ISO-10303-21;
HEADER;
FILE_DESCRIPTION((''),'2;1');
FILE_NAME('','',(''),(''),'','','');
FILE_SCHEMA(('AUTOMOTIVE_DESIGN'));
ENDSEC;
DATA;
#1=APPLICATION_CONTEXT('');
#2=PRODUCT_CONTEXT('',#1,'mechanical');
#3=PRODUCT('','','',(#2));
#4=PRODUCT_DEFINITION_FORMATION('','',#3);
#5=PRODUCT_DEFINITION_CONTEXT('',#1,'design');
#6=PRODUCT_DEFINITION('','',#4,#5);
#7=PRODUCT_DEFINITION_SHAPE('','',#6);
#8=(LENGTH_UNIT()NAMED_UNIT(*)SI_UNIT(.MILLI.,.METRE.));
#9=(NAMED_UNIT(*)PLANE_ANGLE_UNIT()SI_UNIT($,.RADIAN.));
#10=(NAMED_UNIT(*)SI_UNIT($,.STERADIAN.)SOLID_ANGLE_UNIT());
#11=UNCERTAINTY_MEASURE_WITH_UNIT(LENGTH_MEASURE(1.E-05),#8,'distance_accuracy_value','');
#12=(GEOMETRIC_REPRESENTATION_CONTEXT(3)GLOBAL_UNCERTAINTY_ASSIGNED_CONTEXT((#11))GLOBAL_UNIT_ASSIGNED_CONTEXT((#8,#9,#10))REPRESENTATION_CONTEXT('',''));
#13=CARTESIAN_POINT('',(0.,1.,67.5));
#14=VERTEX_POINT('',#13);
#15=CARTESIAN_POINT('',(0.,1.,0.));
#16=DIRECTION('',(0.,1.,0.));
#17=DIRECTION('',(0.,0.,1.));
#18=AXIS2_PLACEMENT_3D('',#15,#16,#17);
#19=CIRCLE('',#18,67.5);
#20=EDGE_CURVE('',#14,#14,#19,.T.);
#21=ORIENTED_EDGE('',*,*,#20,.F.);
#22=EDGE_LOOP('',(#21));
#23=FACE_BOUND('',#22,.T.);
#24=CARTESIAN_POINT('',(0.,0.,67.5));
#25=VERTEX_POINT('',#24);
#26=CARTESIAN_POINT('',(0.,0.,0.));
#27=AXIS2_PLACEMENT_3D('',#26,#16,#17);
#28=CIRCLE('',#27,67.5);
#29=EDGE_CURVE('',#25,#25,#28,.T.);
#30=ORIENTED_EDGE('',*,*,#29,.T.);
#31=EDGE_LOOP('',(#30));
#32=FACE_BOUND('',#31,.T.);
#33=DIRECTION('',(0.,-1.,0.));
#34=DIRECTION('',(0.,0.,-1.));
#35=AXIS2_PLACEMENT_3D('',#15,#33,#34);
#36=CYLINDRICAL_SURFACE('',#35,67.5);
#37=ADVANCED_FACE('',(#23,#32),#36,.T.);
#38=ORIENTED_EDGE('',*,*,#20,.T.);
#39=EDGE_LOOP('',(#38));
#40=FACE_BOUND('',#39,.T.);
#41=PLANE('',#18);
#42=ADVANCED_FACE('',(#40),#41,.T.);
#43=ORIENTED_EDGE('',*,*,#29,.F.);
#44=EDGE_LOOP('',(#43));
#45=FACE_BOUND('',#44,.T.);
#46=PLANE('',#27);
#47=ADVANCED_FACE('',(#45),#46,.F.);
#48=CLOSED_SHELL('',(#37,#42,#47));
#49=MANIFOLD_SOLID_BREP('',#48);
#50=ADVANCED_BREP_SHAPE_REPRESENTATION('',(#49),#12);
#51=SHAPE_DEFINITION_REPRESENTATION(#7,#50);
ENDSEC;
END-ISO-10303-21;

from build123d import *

# Parameters (mm, degrees)
SKETCH1_R           = 67.5
BOSS_EXTRUDE1_DEPTH = 1


with BuildPart() as part:
    # Sketch1 → Boss-Extrude1 (new body)
    with BuildSketch(Plane(origin=(0, 0, 0), x_dir=(1, 0, 0), z_dir=(0, 1, 0))):
        Circle(SKETCH1_R)
    extrude(amount=BOSS_EXTRUDE1_DEPTH)


solid = part.part
